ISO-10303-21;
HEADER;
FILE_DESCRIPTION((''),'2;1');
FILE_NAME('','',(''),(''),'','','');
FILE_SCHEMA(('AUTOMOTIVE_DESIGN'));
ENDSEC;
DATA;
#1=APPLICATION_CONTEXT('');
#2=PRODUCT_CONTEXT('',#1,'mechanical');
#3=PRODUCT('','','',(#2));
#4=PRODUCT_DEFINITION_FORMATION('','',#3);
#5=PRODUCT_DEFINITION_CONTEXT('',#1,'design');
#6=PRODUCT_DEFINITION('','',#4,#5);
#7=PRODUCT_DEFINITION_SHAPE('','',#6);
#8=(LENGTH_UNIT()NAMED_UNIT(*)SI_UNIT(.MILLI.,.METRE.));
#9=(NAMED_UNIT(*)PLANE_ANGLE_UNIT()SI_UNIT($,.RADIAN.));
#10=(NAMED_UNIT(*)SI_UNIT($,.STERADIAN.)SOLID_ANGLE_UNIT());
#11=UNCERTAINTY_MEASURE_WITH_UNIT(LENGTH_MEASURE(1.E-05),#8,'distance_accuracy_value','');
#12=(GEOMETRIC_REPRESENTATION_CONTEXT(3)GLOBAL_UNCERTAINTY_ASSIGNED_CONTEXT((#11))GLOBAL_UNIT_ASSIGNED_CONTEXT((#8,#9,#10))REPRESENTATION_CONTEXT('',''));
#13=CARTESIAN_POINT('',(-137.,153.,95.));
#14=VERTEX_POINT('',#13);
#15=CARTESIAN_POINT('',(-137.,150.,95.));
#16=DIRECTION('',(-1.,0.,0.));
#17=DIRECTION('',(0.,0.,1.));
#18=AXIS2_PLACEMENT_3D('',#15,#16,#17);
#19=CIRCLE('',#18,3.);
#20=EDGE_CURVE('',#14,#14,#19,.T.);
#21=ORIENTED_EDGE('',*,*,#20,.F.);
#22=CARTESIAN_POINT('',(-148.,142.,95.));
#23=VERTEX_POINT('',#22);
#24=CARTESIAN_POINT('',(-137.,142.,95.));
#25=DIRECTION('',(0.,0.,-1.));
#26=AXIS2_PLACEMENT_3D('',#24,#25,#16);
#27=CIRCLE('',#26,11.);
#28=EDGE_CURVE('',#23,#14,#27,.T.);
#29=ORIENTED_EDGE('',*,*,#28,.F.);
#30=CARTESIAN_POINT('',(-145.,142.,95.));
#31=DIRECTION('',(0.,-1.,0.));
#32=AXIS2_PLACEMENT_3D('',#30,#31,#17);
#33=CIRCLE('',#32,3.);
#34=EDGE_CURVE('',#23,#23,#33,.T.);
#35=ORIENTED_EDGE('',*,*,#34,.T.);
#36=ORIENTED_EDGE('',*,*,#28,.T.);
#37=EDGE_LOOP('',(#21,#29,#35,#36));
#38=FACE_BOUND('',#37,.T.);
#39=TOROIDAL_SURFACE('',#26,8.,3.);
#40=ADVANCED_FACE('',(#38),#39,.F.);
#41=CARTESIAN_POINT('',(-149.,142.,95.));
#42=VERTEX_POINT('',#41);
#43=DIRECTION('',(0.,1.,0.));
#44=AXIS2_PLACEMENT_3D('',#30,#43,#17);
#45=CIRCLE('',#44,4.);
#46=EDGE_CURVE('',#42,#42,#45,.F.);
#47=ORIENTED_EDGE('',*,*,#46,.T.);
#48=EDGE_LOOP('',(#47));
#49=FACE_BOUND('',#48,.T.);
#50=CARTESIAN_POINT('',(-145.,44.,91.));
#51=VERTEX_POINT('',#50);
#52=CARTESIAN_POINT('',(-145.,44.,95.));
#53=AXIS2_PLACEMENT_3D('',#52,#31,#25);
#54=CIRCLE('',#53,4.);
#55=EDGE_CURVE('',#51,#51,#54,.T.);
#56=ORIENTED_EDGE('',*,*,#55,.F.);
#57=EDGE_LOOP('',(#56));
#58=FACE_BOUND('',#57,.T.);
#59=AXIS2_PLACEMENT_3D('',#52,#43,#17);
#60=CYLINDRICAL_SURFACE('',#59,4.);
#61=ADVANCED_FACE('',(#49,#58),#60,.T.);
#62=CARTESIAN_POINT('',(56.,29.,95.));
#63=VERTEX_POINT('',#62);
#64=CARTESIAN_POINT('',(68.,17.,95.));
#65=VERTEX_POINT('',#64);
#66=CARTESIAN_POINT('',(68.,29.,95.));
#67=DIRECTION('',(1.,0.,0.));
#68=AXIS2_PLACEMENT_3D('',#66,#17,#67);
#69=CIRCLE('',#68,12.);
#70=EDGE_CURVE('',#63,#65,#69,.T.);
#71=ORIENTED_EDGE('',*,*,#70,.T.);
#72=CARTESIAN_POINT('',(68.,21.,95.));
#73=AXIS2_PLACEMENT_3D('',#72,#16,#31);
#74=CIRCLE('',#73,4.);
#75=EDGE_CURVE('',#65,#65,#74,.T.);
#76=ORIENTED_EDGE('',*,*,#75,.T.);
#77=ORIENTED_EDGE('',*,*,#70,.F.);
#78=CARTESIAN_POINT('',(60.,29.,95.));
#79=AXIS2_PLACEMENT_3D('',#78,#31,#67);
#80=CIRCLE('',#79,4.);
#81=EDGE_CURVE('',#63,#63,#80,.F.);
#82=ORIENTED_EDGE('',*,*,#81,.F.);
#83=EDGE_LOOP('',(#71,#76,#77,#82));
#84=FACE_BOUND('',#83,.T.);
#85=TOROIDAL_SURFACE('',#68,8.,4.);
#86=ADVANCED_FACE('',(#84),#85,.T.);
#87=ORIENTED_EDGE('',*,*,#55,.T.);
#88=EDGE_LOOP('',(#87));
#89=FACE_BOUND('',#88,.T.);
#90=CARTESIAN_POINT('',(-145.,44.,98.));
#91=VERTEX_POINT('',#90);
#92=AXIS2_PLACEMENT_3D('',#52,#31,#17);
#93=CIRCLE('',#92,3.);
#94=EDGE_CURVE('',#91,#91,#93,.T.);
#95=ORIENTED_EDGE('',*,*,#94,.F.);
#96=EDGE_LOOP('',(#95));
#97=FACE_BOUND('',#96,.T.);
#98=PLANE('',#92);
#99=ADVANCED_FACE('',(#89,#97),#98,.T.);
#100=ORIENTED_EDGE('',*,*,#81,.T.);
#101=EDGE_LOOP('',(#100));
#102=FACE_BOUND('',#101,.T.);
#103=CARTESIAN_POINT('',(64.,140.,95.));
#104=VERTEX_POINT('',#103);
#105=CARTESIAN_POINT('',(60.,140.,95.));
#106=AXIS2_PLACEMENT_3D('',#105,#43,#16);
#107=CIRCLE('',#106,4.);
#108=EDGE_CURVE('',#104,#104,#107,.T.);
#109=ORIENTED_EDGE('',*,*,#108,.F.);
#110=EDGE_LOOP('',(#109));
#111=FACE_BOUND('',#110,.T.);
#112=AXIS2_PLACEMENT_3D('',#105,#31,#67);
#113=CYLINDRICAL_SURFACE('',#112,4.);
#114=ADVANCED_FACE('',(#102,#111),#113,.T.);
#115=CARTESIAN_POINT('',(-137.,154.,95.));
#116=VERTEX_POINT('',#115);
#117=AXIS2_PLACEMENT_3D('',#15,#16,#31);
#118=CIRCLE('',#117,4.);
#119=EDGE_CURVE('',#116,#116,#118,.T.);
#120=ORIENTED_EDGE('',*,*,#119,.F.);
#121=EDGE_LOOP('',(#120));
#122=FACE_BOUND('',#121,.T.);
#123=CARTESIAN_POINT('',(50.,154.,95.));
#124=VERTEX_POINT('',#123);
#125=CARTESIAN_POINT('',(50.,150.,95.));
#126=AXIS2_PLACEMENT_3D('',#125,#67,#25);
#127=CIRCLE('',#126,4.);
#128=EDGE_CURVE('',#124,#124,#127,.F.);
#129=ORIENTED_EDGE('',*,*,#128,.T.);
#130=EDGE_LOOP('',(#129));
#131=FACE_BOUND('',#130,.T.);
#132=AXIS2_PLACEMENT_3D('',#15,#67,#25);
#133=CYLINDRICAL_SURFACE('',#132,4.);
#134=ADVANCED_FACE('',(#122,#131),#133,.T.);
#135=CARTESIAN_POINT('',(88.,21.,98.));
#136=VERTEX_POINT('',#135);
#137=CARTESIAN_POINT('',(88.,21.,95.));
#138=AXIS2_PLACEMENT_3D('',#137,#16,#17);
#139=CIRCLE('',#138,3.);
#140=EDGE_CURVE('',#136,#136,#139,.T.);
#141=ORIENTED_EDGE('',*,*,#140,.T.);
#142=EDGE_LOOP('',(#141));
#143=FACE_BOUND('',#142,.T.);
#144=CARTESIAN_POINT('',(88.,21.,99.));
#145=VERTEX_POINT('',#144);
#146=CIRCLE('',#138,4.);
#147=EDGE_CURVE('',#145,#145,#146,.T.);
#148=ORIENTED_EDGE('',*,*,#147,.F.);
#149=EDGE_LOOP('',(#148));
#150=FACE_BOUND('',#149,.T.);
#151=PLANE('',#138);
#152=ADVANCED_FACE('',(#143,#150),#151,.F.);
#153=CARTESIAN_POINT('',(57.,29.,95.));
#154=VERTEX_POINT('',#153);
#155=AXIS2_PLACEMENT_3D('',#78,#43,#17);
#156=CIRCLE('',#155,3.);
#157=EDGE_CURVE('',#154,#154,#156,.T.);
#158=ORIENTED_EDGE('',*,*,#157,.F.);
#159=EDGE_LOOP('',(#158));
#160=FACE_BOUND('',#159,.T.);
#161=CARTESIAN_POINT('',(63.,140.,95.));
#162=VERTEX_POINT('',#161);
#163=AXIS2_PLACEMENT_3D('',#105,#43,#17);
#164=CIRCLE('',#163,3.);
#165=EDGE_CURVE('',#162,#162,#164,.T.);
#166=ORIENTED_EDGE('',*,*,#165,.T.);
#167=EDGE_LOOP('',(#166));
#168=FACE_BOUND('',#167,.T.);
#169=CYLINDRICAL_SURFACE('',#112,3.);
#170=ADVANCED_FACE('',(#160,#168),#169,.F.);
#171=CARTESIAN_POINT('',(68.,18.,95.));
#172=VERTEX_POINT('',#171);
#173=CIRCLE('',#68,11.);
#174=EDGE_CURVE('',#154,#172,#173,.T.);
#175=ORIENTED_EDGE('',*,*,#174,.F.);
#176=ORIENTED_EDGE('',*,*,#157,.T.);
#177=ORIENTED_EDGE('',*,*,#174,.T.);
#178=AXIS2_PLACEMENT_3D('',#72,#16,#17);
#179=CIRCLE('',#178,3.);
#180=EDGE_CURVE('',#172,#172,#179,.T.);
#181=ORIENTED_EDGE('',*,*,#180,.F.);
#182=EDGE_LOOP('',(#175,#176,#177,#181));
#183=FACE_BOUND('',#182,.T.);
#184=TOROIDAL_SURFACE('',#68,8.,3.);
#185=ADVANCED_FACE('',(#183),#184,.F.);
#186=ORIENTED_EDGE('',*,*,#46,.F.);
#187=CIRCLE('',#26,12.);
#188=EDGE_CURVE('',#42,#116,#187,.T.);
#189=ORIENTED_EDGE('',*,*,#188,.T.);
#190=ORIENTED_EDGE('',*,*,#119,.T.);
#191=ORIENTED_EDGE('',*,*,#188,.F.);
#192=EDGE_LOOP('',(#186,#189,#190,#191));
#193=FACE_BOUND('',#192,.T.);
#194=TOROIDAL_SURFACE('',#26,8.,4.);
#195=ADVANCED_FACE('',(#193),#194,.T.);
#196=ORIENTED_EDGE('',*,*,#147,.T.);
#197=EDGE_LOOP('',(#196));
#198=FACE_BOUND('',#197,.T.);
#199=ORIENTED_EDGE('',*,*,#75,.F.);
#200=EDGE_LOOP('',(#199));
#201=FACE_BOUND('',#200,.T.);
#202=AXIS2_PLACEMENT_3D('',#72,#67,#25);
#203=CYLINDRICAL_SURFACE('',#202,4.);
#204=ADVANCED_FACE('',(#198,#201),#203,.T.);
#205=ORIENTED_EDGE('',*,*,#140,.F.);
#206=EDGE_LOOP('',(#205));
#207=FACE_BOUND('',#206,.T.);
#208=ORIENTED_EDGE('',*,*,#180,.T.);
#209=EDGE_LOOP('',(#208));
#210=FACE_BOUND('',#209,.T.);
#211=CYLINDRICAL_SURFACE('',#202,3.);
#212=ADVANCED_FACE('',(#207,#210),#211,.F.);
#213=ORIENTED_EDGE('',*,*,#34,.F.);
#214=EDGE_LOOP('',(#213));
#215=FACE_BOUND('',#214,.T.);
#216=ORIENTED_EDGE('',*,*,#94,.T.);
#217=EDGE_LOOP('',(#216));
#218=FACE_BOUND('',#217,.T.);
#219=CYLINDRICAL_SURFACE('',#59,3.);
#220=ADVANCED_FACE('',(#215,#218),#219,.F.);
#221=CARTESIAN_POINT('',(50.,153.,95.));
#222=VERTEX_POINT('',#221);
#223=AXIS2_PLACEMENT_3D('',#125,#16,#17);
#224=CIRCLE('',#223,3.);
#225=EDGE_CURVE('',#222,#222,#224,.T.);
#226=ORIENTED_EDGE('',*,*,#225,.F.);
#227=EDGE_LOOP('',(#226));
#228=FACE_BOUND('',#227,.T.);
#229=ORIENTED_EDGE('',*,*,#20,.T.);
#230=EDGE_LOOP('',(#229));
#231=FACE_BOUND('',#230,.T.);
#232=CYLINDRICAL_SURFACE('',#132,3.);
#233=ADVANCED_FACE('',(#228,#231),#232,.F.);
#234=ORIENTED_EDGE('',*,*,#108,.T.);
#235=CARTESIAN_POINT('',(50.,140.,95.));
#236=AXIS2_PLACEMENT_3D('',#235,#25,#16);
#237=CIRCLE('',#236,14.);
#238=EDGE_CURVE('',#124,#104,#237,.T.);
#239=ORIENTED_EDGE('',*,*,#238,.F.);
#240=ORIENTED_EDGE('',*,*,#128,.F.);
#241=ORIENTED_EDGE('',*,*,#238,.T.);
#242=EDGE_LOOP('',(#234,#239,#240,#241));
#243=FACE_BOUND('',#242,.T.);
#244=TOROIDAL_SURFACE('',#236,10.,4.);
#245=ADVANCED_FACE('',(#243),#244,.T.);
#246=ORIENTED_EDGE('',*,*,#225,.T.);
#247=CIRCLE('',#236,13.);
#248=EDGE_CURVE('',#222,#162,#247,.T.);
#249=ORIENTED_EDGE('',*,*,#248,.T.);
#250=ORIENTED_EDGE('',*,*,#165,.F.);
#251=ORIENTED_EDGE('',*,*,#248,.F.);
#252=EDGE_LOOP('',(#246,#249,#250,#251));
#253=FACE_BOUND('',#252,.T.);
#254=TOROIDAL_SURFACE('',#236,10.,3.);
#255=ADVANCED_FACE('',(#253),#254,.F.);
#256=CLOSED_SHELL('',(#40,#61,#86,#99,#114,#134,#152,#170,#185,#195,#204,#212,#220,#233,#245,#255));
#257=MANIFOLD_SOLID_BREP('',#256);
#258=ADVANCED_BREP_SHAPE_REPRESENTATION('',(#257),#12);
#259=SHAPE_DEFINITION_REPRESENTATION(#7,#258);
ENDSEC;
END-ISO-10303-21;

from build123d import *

# Parameters (mm, degrees)
TUBE_PROFILE_R   = 4
TUBE_PROFILE_R_2 = 3


with BuildPart() as part:
    # Tube: sweep along a curve in space
    with BuildLine() as tube_path:
        Line((-145, 44, 95), (-145, 142, 95))
        ThreePointArc((-137, 150, 95), (-142.656854249, 147.656854249, 95), (-145, 142, 95))
        Line((-137, 150, 95), (50, 150, 95))
        ThreePointArc((60, 140, 95), (57.071067812, 147.071067812, 95), (50, 150, 95))
        Line((60, 140, 95), (60, 29, 95))
        ThreePointArc((68, 21, 95), (62.343145751, 23.343145751, 95), (60, 29, 95))
        Line((68, 21, 95), (88, 21, 95))
    # Tube profile (on start of the path) → Tube (sweep)
    with BuildSketch(Plane(origin=(-145, 44, 95), x_dir=(0, 0, 1), z_dir=(0, 1, 0))):
        Circle(TUBE_PROFILE_R)
        Circle(TUBE_PROFILE_R_2, mode=Mode.SUBTRACT)
    sweep(path=tube_path.line)


solid = part.part
